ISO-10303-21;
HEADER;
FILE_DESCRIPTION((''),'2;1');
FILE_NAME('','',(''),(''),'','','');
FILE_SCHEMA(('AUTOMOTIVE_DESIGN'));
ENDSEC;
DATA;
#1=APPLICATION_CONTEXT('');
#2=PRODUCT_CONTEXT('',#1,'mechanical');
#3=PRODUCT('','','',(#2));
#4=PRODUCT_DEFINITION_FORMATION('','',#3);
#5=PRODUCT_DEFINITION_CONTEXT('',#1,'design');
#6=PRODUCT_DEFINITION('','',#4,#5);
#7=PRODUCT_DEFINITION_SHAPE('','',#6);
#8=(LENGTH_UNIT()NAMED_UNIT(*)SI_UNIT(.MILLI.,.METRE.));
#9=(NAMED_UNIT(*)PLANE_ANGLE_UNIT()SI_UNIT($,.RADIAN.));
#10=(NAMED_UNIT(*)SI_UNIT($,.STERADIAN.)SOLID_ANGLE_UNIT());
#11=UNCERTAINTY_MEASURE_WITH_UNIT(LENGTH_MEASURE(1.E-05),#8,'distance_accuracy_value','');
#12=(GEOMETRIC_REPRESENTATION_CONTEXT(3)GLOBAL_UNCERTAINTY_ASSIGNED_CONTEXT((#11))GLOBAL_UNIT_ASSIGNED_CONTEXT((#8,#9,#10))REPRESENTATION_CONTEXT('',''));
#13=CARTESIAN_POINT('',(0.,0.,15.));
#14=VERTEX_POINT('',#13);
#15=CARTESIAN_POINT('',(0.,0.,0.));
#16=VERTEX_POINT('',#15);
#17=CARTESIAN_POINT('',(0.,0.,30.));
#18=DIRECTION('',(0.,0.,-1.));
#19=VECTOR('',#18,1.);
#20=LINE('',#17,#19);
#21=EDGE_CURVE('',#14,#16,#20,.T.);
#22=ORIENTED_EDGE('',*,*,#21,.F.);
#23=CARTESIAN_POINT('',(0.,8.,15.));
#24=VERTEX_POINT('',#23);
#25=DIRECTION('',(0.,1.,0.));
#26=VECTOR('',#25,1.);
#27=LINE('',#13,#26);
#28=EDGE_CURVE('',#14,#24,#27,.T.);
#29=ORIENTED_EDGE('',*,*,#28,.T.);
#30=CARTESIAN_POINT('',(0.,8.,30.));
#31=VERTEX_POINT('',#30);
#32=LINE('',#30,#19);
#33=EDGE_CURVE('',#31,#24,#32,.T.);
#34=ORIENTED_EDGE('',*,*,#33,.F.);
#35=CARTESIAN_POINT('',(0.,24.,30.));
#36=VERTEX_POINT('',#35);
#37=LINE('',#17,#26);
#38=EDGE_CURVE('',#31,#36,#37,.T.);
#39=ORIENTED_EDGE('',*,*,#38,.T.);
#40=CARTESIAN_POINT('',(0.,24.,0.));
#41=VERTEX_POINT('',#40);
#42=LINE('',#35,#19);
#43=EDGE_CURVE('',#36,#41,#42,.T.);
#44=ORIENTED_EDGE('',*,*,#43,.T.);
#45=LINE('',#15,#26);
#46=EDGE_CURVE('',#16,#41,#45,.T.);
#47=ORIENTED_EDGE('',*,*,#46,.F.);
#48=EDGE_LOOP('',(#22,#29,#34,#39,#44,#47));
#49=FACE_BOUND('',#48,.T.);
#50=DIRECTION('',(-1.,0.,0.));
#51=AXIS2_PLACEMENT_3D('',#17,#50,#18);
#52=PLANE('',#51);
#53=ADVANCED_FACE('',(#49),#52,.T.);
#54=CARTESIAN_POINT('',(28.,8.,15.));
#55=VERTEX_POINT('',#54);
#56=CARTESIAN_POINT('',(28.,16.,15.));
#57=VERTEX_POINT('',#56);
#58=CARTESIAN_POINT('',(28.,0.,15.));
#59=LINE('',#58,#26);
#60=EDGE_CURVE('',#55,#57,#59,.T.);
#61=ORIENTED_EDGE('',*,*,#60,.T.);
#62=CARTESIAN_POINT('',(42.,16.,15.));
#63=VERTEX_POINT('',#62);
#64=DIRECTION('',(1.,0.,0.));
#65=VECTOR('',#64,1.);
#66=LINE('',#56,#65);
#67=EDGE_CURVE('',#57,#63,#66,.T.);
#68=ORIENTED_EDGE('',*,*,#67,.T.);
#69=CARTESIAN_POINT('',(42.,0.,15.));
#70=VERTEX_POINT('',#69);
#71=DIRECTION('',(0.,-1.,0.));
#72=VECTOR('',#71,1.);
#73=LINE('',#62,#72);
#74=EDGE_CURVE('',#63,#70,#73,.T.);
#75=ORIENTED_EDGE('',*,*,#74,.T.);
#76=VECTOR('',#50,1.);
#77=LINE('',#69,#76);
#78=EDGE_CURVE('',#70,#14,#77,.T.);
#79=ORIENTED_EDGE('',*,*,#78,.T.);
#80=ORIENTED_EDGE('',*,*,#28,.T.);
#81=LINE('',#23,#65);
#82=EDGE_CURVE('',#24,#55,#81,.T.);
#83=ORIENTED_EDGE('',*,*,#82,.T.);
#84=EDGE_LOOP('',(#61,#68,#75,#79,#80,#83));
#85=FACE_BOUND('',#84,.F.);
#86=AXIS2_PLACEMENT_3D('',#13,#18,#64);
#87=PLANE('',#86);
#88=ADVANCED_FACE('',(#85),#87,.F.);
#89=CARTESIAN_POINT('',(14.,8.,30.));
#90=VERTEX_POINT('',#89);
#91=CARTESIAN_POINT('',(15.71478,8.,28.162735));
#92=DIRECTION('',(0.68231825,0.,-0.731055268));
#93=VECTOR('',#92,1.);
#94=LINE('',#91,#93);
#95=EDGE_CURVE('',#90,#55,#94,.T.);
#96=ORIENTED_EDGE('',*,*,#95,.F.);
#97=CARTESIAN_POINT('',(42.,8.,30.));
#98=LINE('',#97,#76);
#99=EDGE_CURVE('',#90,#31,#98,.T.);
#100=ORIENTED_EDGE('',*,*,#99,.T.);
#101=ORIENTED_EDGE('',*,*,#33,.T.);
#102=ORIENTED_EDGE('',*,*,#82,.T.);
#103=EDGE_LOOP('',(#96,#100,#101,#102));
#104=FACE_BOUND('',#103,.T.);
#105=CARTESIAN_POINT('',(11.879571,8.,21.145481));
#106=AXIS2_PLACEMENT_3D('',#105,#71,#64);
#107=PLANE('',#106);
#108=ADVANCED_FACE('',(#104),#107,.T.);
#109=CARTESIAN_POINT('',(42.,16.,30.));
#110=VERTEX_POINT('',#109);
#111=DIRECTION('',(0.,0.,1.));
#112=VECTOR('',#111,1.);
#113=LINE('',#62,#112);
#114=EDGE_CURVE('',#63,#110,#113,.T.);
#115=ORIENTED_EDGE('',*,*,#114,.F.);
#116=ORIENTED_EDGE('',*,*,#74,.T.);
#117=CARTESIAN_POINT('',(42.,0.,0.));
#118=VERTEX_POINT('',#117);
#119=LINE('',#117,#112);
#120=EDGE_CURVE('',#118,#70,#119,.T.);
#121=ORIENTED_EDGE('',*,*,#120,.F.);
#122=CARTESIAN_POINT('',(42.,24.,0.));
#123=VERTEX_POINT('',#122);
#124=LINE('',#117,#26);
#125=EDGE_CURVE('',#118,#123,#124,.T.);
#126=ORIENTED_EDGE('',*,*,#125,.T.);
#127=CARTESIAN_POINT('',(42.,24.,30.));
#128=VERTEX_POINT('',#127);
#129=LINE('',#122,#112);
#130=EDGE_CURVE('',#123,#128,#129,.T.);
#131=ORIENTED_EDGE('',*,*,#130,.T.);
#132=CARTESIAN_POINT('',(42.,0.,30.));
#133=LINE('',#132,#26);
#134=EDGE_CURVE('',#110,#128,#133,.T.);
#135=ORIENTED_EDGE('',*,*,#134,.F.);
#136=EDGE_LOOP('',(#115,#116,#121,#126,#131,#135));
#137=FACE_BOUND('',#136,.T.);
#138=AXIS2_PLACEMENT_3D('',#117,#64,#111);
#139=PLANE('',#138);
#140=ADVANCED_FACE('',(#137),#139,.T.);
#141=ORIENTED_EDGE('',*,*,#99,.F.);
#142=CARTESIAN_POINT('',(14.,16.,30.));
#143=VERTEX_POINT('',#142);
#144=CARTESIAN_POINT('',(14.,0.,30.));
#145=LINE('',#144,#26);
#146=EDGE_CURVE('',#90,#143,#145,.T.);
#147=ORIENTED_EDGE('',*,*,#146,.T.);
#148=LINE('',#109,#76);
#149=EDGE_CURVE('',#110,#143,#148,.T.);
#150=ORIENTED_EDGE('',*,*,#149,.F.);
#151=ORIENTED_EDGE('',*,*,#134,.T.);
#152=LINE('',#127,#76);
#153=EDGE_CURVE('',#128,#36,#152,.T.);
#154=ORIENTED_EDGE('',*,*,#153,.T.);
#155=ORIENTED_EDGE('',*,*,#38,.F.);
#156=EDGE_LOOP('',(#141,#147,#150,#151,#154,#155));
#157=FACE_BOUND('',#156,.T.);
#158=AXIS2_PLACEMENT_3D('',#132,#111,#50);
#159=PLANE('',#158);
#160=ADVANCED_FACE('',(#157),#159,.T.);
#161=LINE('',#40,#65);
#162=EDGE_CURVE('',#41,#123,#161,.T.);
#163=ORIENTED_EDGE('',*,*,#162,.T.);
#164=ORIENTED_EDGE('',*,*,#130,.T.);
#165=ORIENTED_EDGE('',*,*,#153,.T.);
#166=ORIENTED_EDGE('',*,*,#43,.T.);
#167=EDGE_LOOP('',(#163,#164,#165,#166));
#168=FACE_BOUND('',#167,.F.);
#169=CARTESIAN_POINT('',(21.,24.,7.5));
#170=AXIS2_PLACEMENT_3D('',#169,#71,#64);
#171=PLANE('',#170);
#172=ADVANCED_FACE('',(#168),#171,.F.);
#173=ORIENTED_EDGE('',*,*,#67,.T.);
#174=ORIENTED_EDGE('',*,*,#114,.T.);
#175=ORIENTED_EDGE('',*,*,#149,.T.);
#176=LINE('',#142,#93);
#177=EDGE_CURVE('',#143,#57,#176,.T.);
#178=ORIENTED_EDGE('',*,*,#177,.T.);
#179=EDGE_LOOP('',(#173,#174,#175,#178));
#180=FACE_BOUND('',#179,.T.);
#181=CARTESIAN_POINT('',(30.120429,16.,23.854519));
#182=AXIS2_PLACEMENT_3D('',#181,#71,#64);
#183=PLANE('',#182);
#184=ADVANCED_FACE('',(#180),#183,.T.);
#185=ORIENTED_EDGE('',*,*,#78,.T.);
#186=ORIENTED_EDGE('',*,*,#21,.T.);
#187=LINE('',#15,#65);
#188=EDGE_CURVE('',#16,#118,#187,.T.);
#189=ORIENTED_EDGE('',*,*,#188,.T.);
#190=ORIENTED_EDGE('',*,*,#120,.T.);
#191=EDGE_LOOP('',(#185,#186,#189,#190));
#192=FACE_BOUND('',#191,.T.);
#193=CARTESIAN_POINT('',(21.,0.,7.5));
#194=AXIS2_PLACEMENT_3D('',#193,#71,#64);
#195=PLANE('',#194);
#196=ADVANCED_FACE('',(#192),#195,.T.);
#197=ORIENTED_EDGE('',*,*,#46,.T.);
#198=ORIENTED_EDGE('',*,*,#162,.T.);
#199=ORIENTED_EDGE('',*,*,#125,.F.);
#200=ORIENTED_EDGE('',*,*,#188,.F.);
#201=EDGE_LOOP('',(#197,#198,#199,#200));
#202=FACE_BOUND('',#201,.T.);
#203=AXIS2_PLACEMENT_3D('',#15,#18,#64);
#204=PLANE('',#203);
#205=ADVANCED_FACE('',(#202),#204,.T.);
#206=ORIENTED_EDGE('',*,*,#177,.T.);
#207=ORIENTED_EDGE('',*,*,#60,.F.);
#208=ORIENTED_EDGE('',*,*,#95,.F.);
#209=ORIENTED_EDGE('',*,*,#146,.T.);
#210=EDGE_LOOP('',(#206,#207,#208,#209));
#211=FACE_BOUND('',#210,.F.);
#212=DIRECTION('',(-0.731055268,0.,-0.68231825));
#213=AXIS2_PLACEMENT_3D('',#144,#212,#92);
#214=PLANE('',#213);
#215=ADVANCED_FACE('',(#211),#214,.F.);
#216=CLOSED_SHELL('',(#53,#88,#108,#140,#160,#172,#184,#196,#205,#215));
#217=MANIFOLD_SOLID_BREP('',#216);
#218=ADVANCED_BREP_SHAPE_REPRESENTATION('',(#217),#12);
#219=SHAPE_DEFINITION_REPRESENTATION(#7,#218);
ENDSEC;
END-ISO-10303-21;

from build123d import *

# Parameters (mm, degrees)
F1_DEPTH = 24
F2_DEPTH = 8
F3_DEPTH = 16


with BuildPart() as f1:
    # F0 (on Front) → F1 (new body)
    with BuildSketch(Plane.XZ):
        Polygon((0, 15), (0, 0), (42, 0), (42, 15), (28, 15), align=None)
        Polygon((0, 30), (0, 15), (28, 15), (14, 30), align=None)
        Polygon((28, 15), (42, 15), (42, 30), (14, 30), align=None)
    extrude(amount=-F1_DEPTH)

    # F0 (on Front) → F2 (cut)
    with BuildSketch(Plane.XZ):
        Polygon((0, 30), (0, 15), (28, 15), (14, 30), align=None)
        Polygon((28, 15), (42, 15), (42, 30), (14, 30), align=None)
    extrude(amount=-F2_DEPTH, mode=Mode.SUBTRACT)

    # F0 (on Front) → F3 (cut)
    with BuildSketch(Plane.XZ):
        Polygon((28, 15), (42, 15), (42, 30), (14, 30), align=None)
    extrude(amount=-F3_DEPTH, mode=Mode.SUBTRACT)


solid = f1.part
